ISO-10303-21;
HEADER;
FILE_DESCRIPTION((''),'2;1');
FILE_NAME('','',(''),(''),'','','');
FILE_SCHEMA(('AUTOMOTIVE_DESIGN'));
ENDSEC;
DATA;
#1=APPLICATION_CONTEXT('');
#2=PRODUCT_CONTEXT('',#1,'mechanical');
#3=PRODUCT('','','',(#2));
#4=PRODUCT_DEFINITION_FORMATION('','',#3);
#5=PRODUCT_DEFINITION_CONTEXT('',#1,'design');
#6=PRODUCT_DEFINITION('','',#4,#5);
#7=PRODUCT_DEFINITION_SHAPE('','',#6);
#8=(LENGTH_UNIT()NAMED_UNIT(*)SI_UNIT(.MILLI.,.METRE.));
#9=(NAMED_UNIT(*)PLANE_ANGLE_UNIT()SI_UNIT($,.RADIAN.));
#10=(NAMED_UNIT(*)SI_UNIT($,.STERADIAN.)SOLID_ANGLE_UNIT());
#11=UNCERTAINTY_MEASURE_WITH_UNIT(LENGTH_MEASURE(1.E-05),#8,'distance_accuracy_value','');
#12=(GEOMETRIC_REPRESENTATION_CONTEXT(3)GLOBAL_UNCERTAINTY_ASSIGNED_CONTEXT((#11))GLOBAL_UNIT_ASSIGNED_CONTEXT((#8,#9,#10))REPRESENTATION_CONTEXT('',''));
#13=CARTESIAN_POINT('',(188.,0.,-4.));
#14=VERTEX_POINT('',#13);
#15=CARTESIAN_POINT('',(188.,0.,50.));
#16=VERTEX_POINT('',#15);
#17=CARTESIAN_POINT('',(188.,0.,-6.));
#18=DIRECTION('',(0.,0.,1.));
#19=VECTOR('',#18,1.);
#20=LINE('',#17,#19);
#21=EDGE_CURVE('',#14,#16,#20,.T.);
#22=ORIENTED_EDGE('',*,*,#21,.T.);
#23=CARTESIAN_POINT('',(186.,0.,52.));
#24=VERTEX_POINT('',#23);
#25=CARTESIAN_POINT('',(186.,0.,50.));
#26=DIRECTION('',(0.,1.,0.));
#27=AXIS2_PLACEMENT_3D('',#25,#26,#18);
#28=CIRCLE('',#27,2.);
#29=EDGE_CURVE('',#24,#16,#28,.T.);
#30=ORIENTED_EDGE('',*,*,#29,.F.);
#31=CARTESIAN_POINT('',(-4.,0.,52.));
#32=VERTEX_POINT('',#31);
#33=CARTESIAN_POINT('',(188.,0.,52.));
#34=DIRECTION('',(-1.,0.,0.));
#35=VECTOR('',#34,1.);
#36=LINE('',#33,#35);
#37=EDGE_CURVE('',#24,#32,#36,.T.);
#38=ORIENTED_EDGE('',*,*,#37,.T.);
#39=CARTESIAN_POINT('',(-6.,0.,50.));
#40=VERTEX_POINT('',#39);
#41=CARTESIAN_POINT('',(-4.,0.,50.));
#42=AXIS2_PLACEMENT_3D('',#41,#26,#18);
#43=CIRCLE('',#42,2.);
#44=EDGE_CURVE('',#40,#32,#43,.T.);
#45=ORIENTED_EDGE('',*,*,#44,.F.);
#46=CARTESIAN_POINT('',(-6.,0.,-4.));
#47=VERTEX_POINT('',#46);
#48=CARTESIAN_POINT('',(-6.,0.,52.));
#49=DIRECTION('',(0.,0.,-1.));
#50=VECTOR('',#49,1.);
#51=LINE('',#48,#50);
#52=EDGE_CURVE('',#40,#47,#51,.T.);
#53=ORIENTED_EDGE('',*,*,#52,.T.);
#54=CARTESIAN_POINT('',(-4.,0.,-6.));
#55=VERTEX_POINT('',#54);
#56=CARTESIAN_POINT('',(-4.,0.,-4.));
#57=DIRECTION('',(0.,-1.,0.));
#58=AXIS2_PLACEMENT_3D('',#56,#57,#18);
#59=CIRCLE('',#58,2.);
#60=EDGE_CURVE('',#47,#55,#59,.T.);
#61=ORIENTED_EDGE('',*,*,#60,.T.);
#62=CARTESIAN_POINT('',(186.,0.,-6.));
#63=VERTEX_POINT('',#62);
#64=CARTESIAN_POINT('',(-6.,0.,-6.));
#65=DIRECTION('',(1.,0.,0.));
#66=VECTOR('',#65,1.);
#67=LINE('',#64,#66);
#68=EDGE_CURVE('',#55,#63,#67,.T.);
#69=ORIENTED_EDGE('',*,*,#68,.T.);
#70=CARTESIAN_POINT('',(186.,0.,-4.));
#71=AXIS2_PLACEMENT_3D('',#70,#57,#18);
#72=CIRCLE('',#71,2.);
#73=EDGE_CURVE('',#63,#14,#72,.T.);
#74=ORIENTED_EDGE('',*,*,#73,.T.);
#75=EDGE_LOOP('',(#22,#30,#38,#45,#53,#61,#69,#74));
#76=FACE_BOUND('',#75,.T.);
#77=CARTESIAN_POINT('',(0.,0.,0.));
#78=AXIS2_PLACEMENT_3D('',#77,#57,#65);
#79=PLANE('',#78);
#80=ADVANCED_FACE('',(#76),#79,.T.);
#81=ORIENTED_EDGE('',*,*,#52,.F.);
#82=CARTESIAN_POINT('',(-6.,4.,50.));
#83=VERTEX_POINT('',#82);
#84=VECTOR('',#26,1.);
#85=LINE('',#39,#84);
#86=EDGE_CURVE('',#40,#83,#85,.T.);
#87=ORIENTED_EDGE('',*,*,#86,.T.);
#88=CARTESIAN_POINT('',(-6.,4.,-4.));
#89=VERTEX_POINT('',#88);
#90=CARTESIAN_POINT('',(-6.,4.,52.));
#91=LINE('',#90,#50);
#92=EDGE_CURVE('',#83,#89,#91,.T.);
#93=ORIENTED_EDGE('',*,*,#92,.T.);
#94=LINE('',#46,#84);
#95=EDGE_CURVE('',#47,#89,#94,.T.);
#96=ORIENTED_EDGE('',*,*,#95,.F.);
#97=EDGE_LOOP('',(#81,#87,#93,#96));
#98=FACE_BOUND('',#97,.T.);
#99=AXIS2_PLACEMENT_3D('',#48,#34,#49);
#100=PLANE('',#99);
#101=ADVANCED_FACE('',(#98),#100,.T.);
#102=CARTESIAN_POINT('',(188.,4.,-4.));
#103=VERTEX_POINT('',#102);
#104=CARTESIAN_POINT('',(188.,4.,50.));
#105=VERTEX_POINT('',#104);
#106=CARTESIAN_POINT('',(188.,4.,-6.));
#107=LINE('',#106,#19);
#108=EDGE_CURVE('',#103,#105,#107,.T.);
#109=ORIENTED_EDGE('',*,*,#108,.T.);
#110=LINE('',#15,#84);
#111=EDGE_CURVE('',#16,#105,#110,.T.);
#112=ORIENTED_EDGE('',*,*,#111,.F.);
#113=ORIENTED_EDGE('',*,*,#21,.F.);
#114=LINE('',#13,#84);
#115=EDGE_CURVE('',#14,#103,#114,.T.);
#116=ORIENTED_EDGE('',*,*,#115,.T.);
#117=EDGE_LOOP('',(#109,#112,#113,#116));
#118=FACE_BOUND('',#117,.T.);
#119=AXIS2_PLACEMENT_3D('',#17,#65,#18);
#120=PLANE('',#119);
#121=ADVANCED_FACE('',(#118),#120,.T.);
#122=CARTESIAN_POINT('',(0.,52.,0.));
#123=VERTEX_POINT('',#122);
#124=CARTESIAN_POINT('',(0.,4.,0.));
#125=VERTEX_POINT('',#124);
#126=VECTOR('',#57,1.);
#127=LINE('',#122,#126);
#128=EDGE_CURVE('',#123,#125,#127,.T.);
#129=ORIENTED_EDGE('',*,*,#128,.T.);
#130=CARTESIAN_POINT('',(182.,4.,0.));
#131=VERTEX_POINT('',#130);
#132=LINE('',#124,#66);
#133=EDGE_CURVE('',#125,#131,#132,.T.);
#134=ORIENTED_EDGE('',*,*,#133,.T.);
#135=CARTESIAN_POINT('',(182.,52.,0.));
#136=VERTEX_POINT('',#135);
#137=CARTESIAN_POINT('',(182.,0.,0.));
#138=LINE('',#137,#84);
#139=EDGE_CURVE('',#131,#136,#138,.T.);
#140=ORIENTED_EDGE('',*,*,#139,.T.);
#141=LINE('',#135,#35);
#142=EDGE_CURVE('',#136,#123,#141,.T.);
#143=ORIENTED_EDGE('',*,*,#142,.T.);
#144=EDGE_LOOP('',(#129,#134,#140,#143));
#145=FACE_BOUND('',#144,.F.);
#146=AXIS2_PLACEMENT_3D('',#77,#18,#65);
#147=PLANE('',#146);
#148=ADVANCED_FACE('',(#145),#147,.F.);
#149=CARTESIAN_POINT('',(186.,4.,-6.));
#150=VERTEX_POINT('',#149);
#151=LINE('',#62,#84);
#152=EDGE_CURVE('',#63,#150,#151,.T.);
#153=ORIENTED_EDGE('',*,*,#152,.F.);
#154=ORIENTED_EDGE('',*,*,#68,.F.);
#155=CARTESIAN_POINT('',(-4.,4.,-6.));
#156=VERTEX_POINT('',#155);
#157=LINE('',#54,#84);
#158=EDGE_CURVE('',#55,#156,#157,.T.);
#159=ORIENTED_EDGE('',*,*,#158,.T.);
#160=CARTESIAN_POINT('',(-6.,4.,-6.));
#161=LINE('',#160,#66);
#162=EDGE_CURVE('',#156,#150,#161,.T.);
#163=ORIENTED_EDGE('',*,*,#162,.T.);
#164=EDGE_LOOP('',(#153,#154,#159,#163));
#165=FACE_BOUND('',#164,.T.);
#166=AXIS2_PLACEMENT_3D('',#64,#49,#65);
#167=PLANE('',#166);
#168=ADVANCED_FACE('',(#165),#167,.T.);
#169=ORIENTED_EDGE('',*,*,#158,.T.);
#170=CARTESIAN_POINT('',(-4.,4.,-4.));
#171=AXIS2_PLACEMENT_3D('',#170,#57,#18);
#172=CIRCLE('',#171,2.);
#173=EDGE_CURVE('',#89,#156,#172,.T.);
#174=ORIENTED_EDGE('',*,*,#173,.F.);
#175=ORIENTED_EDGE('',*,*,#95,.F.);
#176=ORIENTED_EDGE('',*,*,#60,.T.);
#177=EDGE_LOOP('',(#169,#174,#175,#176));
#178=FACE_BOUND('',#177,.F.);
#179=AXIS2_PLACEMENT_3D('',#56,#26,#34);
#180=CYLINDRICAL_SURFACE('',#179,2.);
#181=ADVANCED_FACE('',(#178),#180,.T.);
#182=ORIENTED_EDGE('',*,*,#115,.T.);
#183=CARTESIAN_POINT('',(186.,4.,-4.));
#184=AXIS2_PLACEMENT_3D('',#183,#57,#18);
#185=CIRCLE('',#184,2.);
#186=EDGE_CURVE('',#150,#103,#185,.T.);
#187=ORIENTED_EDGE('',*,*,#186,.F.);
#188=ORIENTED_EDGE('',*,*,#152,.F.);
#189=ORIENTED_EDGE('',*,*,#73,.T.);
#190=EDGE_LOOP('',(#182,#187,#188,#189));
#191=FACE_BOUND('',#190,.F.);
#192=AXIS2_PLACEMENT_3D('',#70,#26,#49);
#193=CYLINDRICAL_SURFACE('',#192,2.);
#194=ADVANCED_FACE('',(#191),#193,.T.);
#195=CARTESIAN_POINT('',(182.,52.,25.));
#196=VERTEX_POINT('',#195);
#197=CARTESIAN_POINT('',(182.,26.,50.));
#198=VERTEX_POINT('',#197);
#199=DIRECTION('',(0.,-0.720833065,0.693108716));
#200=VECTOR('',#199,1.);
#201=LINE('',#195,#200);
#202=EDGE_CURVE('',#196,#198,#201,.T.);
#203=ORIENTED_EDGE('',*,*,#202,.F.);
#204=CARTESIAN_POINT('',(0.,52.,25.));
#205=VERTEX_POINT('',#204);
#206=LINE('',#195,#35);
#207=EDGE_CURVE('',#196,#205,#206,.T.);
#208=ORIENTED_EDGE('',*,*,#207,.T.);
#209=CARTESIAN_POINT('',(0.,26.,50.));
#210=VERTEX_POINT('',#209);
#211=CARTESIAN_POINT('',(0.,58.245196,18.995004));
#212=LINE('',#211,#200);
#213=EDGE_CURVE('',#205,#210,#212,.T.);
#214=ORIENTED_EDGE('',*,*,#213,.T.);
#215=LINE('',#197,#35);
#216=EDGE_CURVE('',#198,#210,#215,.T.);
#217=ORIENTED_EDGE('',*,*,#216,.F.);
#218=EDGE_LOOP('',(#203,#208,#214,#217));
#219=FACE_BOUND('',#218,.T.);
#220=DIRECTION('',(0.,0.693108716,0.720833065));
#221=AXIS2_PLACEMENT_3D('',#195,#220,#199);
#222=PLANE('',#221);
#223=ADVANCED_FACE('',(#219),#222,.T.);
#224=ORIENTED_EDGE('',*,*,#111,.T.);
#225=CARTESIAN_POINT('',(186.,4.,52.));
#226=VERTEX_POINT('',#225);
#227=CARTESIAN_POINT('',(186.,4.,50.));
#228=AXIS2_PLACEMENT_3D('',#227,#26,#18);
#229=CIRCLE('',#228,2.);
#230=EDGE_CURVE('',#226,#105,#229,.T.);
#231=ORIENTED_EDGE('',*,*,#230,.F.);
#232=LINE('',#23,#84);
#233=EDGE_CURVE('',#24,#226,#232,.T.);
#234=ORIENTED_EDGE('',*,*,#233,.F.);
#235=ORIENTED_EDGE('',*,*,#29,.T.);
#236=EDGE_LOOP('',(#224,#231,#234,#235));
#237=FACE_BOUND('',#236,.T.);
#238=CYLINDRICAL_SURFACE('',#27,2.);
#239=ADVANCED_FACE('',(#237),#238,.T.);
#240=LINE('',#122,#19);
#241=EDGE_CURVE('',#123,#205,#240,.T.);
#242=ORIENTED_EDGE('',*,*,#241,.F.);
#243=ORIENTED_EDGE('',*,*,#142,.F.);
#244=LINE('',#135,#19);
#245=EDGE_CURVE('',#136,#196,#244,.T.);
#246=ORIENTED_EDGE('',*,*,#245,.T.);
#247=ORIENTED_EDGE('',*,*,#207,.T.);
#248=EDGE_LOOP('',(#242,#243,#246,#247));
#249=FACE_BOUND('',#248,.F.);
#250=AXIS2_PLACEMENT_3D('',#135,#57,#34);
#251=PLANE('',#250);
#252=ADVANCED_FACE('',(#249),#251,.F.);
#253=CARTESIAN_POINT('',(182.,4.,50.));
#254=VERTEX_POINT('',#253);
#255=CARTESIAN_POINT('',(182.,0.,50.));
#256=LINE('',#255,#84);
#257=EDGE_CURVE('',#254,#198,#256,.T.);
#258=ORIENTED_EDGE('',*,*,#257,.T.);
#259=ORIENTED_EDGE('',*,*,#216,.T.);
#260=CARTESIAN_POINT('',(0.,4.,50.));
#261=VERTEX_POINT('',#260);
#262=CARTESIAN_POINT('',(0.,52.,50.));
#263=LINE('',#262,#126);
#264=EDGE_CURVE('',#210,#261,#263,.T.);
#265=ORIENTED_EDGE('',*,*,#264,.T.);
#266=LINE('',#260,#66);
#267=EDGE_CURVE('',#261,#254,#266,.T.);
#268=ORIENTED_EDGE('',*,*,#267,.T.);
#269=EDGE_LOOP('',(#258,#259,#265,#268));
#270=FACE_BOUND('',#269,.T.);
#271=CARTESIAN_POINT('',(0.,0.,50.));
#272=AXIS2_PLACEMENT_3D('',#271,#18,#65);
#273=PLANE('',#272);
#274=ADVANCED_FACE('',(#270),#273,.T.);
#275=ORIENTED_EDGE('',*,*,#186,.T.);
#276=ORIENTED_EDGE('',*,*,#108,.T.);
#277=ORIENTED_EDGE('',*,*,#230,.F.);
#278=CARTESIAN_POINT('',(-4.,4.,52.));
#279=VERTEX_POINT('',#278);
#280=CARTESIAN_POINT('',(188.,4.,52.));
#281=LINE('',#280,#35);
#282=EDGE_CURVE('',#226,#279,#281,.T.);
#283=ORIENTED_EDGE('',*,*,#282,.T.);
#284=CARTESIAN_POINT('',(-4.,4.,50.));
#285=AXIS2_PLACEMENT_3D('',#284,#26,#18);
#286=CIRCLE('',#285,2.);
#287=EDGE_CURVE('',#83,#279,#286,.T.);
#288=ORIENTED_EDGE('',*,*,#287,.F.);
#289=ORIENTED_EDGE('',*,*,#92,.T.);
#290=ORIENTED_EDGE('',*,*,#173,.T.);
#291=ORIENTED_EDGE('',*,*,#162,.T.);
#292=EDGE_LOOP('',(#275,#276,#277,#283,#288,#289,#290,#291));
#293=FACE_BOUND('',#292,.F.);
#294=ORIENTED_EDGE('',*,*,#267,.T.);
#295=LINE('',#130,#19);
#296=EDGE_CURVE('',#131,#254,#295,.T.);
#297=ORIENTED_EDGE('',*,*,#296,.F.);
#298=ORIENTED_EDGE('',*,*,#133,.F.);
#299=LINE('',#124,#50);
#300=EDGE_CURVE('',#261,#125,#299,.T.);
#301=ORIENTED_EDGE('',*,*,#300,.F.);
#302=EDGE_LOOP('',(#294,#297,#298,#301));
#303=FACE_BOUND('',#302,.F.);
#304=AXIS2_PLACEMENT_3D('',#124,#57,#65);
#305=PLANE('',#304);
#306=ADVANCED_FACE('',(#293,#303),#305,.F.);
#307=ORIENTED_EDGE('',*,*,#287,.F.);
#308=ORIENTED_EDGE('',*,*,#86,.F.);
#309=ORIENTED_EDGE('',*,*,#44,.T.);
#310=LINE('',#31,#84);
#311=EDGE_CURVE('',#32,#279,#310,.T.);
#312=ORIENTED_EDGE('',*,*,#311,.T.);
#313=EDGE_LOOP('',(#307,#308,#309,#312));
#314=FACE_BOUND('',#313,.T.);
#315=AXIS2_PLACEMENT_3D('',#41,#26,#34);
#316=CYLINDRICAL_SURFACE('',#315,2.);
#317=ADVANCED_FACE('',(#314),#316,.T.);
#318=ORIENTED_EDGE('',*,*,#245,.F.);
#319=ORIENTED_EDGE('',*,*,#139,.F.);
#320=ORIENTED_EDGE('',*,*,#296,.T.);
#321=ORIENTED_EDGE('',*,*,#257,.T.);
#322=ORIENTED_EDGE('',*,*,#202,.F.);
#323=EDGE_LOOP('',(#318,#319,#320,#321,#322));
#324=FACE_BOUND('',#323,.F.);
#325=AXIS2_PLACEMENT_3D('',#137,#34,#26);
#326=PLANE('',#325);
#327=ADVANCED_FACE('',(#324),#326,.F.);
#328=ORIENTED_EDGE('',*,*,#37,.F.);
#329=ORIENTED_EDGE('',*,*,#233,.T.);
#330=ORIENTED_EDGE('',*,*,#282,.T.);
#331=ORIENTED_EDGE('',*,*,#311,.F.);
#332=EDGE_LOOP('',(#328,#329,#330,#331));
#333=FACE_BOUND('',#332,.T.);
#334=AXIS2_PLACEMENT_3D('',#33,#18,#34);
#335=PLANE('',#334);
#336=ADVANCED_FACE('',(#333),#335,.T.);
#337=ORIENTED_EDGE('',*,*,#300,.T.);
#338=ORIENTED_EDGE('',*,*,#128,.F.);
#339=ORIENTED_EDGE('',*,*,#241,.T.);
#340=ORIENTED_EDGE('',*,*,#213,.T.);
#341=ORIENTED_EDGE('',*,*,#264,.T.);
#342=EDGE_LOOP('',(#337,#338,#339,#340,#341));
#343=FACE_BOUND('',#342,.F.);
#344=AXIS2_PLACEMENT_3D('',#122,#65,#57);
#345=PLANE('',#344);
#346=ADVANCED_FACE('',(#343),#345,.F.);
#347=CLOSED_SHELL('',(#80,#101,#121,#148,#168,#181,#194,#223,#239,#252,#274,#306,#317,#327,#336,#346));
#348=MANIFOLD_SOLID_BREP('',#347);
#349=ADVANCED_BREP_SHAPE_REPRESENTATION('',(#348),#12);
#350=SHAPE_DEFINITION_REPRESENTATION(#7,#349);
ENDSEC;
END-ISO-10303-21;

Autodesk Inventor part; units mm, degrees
ref_plane "YZ Plane" through (0, 0, 0) normal (1, 0, 0) x (0, 1, 0)
ref_plane "XZ Plane" through (0, 0, 0) normal (0, 1, 0) x (-1, 0, 0)
ref_plane "XY Plane" through (0, 0, 0) normal (0, 0, 1) x (1, 0, 0)
sketch "Sketch1" plane through (0, 0, 0) normal (0, 0, 1) x (1, 0, 0)
  line L0 (0, 0) -> (182, 0)
  line L1 (182, 0) -> (182, 52)
  line L2 (182, 52) -> (0, 52)
  line L3 (0, 52) -> (0, 0)
  dimension "d0" = 182
  dimension "d1" = 52
extrude "Extrusion1" add sketch "Sketch1" along normal blind 50
sketch "Sketch2" plane through (182, 0, 0) normal (1, 0, 0) x (0, 0, -1)
  line L0 (0, 52) -> (-50, 52) projected
  line L1 (-25, 52) -> (-50, 26)
  line L2 (-50, 0) -> (-50, 52) projected
  line L3 (-25, 52) -> (-50, 52)
  line L4 (-50, 52) -> (-50, 26)
  point P0 (0, 0)
extrude "Extrusion2" cut sketch "Sketch2" against normal through all
sketch "Sketch3" plane through (0, 0, 0) normal (0, -1, 0) x (1, 0, 0)
  line L0 (0, 50) -> (182, 50) projected
  line L1 (182, 0) -> (0, 0)
  line L2 (0, 0) -> (0, 50)
  line L3 (0, 50) -> (182, 50)
  line L4 (182, 50) -> (182, 0)
  line L5 (-6, -6) -> (188, -6)
  line L6 (188, -6) -> (188, 52)
  line L7 (-6, 52) -> (-6, -6)
  line L8 (182, 50) -> (0, 50)
  line L9 (188, 52) -> (-6, 52)
  dimension "d6" = 6
extrude "Extrusion3" add sketch "Sketch3" against normal blind 4 contours L0 L4 L1 L2 | L7 L9 L6 L5
fillet "Fillet1" radius 2 4 edges at (188, 2, -6) (188, 2, 52) (-6, 2, 52) (-6, 2, -6)
properties part number "Early-944_Radio_Plug"
